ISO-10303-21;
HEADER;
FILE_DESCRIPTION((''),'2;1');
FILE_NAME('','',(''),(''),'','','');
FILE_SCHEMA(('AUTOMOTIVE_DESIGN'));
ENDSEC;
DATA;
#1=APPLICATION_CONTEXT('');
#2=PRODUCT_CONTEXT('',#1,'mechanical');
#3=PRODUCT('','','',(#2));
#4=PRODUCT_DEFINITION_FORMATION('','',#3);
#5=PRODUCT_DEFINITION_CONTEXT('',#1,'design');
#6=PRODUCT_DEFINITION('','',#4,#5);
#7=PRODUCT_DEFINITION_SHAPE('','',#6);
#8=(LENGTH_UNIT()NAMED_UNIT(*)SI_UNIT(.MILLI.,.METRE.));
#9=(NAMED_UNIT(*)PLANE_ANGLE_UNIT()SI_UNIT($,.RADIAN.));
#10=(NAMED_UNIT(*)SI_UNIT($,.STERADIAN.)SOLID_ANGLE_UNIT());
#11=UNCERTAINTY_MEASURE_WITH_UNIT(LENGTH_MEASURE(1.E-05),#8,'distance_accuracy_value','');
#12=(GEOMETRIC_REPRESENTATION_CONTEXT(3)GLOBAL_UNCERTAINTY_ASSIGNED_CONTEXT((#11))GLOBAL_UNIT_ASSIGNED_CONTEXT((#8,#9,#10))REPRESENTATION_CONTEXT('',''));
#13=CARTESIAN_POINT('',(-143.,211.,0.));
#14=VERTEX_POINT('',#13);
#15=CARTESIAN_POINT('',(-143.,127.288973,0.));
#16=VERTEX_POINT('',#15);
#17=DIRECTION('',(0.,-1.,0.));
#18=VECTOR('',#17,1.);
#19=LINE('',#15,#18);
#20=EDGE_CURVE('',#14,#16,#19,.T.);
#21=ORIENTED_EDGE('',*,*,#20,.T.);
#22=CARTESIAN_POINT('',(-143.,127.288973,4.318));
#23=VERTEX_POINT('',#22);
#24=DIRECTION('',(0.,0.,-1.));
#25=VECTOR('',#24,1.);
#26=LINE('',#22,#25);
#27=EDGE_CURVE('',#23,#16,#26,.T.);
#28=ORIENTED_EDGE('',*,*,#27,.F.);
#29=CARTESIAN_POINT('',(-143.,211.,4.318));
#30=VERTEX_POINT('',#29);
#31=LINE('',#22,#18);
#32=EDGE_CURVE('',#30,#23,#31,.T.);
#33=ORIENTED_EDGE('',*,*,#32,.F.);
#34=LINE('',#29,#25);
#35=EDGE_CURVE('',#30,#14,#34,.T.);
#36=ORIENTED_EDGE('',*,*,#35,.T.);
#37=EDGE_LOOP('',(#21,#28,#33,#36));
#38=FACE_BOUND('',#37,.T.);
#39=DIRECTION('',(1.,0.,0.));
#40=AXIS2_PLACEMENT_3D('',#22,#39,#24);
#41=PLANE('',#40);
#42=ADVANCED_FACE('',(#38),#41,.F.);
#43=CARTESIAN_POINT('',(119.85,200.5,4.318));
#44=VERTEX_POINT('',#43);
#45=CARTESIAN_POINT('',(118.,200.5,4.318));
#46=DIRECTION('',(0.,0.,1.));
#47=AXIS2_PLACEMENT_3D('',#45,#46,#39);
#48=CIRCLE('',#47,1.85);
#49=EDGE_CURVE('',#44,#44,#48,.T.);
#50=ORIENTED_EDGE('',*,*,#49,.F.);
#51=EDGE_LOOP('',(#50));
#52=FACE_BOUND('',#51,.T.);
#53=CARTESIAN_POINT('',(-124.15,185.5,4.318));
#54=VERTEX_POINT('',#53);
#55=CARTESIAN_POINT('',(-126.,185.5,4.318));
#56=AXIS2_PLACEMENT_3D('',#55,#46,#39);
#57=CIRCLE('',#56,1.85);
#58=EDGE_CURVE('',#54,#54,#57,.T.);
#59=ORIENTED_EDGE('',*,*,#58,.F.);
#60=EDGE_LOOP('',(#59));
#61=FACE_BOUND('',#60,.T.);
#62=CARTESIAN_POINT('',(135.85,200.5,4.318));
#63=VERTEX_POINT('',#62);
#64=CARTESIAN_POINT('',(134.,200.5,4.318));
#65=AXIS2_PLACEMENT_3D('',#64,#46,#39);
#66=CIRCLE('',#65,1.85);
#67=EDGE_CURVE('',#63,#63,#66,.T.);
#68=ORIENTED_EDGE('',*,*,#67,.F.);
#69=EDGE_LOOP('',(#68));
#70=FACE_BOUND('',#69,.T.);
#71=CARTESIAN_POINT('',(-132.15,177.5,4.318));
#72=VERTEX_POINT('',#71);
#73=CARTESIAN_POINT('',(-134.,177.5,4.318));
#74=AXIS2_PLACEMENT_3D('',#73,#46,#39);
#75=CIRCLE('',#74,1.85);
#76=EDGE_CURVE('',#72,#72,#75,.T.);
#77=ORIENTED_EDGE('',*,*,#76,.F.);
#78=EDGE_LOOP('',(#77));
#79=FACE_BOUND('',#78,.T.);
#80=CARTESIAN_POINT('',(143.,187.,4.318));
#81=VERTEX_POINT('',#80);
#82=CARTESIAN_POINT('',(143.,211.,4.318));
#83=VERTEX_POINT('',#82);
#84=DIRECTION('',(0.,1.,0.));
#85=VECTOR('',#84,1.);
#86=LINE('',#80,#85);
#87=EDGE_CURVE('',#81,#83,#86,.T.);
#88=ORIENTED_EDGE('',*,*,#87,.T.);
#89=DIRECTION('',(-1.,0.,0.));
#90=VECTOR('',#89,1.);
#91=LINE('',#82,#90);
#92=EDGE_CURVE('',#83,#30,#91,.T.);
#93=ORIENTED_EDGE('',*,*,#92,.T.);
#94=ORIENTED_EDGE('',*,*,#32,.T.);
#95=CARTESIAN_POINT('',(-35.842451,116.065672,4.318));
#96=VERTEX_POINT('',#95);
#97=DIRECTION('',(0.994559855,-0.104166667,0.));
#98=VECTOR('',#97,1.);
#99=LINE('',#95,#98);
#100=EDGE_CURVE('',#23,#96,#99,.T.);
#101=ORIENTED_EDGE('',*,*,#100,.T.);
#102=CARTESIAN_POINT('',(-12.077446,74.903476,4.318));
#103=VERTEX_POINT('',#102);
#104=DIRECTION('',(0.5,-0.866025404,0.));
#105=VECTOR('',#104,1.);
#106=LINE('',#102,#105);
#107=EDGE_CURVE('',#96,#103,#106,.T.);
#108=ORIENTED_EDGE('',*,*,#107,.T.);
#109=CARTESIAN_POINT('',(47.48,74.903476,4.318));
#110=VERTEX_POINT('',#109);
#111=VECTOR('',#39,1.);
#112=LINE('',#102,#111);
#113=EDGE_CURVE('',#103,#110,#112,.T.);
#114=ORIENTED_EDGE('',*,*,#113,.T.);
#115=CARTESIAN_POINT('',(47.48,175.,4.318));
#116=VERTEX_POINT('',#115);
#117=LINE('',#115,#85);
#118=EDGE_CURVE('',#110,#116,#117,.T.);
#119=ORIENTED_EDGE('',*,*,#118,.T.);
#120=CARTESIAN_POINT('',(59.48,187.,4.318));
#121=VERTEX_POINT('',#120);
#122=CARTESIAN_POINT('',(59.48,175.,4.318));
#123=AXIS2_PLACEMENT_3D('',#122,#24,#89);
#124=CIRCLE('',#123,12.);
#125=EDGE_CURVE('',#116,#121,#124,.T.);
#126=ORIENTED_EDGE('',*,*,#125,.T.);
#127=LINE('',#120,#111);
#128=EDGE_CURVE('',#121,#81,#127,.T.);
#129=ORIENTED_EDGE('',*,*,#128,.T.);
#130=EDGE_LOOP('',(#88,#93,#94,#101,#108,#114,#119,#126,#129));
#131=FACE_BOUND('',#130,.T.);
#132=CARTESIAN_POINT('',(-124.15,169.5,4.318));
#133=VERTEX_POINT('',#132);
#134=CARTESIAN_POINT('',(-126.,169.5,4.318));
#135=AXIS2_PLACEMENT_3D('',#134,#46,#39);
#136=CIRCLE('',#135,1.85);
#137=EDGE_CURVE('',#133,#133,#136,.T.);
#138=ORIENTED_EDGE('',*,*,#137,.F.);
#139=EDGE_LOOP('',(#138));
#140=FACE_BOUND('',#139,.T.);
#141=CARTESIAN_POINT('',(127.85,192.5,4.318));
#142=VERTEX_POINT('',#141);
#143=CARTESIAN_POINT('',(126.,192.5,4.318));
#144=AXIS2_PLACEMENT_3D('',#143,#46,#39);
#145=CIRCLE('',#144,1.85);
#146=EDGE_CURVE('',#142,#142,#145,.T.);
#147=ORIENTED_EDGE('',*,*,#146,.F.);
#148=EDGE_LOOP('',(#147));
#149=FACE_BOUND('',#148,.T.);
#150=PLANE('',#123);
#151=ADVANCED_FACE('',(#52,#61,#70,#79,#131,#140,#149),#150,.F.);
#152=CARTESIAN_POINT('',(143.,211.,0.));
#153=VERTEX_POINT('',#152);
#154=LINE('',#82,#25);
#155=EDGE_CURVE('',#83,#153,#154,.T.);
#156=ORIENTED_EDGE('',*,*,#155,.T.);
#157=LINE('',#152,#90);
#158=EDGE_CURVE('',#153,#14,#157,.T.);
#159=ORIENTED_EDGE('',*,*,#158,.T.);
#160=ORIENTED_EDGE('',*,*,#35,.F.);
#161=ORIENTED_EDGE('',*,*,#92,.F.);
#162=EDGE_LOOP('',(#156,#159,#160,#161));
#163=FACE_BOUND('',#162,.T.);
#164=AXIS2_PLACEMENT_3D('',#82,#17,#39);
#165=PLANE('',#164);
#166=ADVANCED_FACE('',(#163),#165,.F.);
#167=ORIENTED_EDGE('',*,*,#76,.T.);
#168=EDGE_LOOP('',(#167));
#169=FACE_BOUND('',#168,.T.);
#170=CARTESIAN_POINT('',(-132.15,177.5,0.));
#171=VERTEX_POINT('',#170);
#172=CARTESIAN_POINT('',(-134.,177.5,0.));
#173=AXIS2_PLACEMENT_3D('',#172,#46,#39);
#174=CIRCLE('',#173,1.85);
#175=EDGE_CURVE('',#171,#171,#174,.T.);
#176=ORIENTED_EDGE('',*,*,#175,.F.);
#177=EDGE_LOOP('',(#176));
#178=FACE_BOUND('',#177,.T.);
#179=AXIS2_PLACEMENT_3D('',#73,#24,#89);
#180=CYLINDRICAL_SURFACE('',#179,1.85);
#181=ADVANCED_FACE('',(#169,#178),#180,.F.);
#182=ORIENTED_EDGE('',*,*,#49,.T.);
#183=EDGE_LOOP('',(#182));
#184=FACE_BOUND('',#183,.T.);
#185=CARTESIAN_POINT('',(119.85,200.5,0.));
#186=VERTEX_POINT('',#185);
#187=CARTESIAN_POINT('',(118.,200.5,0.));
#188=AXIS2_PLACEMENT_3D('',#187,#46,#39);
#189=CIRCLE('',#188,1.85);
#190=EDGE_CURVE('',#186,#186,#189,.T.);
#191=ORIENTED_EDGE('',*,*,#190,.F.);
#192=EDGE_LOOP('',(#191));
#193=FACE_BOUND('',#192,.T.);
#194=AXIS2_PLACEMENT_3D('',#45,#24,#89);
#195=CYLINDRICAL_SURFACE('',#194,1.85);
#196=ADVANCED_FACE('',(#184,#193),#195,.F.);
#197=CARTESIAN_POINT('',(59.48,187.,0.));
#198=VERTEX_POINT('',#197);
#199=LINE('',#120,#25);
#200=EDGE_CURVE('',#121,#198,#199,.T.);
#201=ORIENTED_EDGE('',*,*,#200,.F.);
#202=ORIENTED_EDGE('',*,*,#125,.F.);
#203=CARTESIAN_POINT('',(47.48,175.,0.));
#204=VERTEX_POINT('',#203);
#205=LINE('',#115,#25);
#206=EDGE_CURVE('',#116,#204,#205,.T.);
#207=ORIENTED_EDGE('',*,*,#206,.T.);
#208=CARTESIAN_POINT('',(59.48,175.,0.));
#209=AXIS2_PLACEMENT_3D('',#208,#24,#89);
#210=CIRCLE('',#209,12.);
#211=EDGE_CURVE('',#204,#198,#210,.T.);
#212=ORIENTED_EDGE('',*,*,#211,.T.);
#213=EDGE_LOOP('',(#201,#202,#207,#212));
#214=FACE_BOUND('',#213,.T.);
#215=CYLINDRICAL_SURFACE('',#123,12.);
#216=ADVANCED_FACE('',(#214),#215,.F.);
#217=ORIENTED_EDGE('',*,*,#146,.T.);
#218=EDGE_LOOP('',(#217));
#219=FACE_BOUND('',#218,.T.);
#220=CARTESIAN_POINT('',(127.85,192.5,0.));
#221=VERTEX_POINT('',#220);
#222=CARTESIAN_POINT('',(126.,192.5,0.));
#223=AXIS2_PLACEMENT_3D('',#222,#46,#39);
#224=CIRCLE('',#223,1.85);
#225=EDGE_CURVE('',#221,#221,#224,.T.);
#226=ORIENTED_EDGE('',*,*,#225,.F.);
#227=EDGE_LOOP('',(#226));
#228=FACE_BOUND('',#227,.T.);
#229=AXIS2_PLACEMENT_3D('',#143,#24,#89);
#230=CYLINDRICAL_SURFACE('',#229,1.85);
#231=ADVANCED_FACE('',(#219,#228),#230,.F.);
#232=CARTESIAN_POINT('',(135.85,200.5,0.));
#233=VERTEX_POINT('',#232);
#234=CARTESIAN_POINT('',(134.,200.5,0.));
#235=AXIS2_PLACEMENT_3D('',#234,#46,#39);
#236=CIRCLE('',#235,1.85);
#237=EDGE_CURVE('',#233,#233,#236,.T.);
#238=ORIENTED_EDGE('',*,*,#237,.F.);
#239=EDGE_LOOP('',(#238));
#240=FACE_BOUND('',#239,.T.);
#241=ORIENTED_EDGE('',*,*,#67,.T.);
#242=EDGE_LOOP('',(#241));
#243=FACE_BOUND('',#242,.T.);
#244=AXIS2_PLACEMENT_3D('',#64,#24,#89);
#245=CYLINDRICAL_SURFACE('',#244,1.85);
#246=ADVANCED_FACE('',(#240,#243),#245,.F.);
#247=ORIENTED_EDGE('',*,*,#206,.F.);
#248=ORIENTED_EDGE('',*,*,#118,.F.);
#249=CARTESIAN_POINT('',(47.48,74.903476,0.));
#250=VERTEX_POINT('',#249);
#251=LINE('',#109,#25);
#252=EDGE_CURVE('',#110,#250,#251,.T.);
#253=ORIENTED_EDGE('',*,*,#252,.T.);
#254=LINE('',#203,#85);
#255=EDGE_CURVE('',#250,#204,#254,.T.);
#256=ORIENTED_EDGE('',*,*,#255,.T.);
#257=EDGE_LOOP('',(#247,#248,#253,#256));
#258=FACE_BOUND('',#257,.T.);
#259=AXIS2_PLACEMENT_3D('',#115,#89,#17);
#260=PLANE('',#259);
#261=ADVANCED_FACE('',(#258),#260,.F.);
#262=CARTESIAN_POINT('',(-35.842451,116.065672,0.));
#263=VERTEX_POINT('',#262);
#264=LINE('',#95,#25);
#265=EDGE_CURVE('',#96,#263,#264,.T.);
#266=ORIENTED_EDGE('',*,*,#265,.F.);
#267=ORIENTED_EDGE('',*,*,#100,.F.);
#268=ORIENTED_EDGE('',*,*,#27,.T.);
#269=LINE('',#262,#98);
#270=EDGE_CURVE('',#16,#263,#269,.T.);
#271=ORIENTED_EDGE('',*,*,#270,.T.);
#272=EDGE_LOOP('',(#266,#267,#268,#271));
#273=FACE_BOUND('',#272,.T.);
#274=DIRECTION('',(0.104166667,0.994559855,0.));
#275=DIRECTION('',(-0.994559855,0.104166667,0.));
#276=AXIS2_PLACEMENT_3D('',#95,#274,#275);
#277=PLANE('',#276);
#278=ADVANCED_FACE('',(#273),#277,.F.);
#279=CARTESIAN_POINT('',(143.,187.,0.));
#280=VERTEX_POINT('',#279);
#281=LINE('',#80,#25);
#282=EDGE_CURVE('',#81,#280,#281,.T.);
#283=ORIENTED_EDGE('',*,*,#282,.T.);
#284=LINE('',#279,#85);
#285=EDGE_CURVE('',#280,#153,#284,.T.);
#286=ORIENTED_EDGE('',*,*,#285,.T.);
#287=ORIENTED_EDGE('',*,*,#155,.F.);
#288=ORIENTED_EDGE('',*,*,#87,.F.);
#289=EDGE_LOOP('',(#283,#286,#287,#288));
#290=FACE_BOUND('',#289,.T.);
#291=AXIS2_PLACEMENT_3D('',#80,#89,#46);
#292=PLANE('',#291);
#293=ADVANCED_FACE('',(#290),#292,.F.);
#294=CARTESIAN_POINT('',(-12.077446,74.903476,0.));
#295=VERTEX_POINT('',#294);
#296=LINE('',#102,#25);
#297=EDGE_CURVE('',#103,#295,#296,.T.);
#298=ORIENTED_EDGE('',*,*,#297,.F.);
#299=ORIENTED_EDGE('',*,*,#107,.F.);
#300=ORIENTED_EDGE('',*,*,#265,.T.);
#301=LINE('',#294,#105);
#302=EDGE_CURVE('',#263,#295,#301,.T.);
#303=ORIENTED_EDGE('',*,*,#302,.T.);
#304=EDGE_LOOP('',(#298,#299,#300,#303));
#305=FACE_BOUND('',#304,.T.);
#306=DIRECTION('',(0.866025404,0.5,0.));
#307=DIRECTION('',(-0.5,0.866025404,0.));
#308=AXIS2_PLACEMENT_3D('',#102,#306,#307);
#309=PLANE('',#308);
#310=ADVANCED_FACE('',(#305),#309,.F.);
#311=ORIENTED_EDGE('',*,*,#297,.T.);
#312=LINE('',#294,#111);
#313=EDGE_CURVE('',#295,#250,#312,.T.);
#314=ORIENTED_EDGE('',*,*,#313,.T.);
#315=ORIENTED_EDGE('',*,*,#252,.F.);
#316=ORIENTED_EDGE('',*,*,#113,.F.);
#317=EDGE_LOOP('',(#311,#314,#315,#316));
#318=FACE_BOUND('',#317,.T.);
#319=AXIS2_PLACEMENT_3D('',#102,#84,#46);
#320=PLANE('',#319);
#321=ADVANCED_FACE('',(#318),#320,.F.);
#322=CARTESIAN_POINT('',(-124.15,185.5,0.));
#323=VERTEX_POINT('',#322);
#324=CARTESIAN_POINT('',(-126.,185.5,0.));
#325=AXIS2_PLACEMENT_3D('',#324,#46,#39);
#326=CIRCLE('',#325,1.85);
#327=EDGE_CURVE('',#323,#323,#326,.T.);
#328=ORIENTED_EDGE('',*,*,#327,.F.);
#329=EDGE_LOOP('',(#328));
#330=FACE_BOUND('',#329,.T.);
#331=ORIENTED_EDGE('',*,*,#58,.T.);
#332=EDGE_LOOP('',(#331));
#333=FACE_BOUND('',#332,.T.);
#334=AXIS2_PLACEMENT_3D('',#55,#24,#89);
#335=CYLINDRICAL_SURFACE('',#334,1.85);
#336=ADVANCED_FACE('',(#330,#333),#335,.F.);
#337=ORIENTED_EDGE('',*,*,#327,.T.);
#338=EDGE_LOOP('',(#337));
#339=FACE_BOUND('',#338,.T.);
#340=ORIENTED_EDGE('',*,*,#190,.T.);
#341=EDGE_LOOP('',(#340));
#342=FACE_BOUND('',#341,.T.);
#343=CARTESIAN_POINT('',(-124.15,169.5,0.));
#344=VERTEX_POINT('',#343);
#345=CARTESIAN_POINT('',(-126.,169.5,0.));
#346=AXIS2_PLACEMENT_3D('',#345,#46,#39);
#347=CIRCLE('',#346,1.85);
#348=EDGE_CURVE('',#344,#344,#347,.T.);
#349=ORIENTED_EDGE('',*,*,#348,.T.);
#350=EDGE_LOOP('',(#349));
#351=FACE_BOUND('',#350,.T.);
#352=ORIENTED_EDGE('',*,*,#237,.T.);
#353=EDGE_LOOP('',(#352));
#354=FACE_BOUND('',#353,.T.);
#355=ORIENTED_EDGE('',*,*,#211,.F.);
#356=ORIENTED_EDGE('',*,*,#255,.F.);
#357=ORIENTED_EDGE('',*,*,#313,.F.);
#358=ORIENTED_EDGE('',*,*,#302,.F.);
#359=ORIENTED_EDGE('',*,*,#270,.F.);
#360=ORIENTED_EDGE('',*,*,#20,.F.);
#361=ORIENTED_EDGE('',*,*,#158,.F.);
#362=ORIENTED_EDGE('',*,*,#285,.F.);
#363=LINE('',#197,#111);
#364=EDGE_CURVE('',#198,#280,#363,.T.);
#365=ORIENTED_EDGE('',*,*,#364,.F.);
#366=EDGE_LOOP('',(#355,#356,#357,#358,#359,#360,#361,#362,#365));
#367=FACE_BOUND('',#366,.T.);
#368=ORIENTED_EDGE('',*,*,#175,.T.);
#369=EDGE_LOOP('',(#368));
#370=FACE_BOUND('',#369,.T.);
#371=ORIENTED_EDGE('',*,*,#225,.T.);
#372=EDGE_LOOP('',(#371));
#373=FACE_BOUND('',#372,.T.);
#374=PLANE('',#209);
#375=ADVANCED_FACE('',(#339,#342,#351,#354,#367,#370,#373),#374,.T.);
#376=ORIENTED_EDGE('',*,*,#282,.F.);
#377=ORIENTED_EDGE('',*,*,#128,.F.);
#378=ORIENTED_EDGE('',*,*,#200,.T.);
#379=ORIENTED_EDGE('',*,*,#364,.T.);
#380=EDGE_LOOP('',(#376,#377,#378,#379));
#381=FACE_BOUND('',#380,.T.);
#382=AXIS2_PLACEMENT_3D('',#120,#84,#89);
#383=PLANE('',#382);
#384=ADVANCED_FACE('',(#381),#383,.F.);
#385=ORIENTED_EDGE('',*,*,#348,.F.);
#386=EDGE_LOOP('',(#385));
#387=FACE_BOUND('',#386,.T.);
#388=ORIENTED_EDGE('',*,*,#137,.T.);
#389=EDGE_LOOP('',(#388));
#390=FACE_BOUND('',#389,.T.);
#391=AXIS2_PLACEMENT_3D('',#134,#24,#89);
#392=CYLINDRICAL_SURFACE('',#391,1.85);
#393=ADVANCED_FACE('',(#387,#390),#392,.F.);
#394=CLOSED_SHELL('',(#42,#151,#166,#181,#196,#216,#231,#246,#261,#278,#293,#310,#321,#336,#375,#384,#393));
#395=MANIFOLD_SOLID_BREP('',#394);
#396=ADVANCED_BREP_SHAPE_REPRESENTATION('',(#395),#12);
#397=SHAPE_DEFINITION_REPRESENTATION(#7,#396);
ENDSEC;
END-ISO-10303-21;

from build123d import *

# Parameters (mm, degrees)
SKETCH1_R           = 1.85
BOSS_EXTRUDE1_DEPTH = 4.318


with BuildPart() as part:
    # Sketch1 → Boss-Extrude1 (new body)
    with BuildSketch(Plane.XY):
        with BuildLine():
            Line((47.48, 175), (47.48, 74.903475932))
            Line((47.48, 74.903475932), (-12.077446035, 74.903475932))
            Line((-12.077446035, 74.903475932), (-35.842451234, 116.06567238))
            Line((-35.842451234, 116.06567238), (-143, 127.288973426))
            Line((-143, 127.288973426), (-143, 211))
            Line((-143, 211), (143, 211))
            Line((143, 211), (143, 187))
            Line((143, 187), (59.48, 187))
            ThreePointArc((59.48, 187), (50.994718626, 183.485281374), (47.48, 175))
        make_face()
        with Locations((-134, 177.5)):
            Circle(SKETCH1_R, mode=Mode.SUBTRACT)
        with Locations((-126, 169.5)):
            Circle(SKETCH1_R, mode=Mode.SUBTRACT)
        with Locations((-126, 185.5)):
            Circle(SKETCH1_R, mode=Mode.SUBTRACT)
        with Locations((118, 200.5)):
            Circle(SKETCH1_R, mode=Mode.SUBTRACT)
        with Locations((126, 192.5)):
            Circle(SKETCH1_R, mode=Mode.SUBTRACT)
        with Locations((134, 200.5)):
            Circle(SKETCH1_R, mode=Mode.SUBTRACT)
    extrude(amount=BOSS_EXTRUDE1_DEPTH)


solid = part.part
